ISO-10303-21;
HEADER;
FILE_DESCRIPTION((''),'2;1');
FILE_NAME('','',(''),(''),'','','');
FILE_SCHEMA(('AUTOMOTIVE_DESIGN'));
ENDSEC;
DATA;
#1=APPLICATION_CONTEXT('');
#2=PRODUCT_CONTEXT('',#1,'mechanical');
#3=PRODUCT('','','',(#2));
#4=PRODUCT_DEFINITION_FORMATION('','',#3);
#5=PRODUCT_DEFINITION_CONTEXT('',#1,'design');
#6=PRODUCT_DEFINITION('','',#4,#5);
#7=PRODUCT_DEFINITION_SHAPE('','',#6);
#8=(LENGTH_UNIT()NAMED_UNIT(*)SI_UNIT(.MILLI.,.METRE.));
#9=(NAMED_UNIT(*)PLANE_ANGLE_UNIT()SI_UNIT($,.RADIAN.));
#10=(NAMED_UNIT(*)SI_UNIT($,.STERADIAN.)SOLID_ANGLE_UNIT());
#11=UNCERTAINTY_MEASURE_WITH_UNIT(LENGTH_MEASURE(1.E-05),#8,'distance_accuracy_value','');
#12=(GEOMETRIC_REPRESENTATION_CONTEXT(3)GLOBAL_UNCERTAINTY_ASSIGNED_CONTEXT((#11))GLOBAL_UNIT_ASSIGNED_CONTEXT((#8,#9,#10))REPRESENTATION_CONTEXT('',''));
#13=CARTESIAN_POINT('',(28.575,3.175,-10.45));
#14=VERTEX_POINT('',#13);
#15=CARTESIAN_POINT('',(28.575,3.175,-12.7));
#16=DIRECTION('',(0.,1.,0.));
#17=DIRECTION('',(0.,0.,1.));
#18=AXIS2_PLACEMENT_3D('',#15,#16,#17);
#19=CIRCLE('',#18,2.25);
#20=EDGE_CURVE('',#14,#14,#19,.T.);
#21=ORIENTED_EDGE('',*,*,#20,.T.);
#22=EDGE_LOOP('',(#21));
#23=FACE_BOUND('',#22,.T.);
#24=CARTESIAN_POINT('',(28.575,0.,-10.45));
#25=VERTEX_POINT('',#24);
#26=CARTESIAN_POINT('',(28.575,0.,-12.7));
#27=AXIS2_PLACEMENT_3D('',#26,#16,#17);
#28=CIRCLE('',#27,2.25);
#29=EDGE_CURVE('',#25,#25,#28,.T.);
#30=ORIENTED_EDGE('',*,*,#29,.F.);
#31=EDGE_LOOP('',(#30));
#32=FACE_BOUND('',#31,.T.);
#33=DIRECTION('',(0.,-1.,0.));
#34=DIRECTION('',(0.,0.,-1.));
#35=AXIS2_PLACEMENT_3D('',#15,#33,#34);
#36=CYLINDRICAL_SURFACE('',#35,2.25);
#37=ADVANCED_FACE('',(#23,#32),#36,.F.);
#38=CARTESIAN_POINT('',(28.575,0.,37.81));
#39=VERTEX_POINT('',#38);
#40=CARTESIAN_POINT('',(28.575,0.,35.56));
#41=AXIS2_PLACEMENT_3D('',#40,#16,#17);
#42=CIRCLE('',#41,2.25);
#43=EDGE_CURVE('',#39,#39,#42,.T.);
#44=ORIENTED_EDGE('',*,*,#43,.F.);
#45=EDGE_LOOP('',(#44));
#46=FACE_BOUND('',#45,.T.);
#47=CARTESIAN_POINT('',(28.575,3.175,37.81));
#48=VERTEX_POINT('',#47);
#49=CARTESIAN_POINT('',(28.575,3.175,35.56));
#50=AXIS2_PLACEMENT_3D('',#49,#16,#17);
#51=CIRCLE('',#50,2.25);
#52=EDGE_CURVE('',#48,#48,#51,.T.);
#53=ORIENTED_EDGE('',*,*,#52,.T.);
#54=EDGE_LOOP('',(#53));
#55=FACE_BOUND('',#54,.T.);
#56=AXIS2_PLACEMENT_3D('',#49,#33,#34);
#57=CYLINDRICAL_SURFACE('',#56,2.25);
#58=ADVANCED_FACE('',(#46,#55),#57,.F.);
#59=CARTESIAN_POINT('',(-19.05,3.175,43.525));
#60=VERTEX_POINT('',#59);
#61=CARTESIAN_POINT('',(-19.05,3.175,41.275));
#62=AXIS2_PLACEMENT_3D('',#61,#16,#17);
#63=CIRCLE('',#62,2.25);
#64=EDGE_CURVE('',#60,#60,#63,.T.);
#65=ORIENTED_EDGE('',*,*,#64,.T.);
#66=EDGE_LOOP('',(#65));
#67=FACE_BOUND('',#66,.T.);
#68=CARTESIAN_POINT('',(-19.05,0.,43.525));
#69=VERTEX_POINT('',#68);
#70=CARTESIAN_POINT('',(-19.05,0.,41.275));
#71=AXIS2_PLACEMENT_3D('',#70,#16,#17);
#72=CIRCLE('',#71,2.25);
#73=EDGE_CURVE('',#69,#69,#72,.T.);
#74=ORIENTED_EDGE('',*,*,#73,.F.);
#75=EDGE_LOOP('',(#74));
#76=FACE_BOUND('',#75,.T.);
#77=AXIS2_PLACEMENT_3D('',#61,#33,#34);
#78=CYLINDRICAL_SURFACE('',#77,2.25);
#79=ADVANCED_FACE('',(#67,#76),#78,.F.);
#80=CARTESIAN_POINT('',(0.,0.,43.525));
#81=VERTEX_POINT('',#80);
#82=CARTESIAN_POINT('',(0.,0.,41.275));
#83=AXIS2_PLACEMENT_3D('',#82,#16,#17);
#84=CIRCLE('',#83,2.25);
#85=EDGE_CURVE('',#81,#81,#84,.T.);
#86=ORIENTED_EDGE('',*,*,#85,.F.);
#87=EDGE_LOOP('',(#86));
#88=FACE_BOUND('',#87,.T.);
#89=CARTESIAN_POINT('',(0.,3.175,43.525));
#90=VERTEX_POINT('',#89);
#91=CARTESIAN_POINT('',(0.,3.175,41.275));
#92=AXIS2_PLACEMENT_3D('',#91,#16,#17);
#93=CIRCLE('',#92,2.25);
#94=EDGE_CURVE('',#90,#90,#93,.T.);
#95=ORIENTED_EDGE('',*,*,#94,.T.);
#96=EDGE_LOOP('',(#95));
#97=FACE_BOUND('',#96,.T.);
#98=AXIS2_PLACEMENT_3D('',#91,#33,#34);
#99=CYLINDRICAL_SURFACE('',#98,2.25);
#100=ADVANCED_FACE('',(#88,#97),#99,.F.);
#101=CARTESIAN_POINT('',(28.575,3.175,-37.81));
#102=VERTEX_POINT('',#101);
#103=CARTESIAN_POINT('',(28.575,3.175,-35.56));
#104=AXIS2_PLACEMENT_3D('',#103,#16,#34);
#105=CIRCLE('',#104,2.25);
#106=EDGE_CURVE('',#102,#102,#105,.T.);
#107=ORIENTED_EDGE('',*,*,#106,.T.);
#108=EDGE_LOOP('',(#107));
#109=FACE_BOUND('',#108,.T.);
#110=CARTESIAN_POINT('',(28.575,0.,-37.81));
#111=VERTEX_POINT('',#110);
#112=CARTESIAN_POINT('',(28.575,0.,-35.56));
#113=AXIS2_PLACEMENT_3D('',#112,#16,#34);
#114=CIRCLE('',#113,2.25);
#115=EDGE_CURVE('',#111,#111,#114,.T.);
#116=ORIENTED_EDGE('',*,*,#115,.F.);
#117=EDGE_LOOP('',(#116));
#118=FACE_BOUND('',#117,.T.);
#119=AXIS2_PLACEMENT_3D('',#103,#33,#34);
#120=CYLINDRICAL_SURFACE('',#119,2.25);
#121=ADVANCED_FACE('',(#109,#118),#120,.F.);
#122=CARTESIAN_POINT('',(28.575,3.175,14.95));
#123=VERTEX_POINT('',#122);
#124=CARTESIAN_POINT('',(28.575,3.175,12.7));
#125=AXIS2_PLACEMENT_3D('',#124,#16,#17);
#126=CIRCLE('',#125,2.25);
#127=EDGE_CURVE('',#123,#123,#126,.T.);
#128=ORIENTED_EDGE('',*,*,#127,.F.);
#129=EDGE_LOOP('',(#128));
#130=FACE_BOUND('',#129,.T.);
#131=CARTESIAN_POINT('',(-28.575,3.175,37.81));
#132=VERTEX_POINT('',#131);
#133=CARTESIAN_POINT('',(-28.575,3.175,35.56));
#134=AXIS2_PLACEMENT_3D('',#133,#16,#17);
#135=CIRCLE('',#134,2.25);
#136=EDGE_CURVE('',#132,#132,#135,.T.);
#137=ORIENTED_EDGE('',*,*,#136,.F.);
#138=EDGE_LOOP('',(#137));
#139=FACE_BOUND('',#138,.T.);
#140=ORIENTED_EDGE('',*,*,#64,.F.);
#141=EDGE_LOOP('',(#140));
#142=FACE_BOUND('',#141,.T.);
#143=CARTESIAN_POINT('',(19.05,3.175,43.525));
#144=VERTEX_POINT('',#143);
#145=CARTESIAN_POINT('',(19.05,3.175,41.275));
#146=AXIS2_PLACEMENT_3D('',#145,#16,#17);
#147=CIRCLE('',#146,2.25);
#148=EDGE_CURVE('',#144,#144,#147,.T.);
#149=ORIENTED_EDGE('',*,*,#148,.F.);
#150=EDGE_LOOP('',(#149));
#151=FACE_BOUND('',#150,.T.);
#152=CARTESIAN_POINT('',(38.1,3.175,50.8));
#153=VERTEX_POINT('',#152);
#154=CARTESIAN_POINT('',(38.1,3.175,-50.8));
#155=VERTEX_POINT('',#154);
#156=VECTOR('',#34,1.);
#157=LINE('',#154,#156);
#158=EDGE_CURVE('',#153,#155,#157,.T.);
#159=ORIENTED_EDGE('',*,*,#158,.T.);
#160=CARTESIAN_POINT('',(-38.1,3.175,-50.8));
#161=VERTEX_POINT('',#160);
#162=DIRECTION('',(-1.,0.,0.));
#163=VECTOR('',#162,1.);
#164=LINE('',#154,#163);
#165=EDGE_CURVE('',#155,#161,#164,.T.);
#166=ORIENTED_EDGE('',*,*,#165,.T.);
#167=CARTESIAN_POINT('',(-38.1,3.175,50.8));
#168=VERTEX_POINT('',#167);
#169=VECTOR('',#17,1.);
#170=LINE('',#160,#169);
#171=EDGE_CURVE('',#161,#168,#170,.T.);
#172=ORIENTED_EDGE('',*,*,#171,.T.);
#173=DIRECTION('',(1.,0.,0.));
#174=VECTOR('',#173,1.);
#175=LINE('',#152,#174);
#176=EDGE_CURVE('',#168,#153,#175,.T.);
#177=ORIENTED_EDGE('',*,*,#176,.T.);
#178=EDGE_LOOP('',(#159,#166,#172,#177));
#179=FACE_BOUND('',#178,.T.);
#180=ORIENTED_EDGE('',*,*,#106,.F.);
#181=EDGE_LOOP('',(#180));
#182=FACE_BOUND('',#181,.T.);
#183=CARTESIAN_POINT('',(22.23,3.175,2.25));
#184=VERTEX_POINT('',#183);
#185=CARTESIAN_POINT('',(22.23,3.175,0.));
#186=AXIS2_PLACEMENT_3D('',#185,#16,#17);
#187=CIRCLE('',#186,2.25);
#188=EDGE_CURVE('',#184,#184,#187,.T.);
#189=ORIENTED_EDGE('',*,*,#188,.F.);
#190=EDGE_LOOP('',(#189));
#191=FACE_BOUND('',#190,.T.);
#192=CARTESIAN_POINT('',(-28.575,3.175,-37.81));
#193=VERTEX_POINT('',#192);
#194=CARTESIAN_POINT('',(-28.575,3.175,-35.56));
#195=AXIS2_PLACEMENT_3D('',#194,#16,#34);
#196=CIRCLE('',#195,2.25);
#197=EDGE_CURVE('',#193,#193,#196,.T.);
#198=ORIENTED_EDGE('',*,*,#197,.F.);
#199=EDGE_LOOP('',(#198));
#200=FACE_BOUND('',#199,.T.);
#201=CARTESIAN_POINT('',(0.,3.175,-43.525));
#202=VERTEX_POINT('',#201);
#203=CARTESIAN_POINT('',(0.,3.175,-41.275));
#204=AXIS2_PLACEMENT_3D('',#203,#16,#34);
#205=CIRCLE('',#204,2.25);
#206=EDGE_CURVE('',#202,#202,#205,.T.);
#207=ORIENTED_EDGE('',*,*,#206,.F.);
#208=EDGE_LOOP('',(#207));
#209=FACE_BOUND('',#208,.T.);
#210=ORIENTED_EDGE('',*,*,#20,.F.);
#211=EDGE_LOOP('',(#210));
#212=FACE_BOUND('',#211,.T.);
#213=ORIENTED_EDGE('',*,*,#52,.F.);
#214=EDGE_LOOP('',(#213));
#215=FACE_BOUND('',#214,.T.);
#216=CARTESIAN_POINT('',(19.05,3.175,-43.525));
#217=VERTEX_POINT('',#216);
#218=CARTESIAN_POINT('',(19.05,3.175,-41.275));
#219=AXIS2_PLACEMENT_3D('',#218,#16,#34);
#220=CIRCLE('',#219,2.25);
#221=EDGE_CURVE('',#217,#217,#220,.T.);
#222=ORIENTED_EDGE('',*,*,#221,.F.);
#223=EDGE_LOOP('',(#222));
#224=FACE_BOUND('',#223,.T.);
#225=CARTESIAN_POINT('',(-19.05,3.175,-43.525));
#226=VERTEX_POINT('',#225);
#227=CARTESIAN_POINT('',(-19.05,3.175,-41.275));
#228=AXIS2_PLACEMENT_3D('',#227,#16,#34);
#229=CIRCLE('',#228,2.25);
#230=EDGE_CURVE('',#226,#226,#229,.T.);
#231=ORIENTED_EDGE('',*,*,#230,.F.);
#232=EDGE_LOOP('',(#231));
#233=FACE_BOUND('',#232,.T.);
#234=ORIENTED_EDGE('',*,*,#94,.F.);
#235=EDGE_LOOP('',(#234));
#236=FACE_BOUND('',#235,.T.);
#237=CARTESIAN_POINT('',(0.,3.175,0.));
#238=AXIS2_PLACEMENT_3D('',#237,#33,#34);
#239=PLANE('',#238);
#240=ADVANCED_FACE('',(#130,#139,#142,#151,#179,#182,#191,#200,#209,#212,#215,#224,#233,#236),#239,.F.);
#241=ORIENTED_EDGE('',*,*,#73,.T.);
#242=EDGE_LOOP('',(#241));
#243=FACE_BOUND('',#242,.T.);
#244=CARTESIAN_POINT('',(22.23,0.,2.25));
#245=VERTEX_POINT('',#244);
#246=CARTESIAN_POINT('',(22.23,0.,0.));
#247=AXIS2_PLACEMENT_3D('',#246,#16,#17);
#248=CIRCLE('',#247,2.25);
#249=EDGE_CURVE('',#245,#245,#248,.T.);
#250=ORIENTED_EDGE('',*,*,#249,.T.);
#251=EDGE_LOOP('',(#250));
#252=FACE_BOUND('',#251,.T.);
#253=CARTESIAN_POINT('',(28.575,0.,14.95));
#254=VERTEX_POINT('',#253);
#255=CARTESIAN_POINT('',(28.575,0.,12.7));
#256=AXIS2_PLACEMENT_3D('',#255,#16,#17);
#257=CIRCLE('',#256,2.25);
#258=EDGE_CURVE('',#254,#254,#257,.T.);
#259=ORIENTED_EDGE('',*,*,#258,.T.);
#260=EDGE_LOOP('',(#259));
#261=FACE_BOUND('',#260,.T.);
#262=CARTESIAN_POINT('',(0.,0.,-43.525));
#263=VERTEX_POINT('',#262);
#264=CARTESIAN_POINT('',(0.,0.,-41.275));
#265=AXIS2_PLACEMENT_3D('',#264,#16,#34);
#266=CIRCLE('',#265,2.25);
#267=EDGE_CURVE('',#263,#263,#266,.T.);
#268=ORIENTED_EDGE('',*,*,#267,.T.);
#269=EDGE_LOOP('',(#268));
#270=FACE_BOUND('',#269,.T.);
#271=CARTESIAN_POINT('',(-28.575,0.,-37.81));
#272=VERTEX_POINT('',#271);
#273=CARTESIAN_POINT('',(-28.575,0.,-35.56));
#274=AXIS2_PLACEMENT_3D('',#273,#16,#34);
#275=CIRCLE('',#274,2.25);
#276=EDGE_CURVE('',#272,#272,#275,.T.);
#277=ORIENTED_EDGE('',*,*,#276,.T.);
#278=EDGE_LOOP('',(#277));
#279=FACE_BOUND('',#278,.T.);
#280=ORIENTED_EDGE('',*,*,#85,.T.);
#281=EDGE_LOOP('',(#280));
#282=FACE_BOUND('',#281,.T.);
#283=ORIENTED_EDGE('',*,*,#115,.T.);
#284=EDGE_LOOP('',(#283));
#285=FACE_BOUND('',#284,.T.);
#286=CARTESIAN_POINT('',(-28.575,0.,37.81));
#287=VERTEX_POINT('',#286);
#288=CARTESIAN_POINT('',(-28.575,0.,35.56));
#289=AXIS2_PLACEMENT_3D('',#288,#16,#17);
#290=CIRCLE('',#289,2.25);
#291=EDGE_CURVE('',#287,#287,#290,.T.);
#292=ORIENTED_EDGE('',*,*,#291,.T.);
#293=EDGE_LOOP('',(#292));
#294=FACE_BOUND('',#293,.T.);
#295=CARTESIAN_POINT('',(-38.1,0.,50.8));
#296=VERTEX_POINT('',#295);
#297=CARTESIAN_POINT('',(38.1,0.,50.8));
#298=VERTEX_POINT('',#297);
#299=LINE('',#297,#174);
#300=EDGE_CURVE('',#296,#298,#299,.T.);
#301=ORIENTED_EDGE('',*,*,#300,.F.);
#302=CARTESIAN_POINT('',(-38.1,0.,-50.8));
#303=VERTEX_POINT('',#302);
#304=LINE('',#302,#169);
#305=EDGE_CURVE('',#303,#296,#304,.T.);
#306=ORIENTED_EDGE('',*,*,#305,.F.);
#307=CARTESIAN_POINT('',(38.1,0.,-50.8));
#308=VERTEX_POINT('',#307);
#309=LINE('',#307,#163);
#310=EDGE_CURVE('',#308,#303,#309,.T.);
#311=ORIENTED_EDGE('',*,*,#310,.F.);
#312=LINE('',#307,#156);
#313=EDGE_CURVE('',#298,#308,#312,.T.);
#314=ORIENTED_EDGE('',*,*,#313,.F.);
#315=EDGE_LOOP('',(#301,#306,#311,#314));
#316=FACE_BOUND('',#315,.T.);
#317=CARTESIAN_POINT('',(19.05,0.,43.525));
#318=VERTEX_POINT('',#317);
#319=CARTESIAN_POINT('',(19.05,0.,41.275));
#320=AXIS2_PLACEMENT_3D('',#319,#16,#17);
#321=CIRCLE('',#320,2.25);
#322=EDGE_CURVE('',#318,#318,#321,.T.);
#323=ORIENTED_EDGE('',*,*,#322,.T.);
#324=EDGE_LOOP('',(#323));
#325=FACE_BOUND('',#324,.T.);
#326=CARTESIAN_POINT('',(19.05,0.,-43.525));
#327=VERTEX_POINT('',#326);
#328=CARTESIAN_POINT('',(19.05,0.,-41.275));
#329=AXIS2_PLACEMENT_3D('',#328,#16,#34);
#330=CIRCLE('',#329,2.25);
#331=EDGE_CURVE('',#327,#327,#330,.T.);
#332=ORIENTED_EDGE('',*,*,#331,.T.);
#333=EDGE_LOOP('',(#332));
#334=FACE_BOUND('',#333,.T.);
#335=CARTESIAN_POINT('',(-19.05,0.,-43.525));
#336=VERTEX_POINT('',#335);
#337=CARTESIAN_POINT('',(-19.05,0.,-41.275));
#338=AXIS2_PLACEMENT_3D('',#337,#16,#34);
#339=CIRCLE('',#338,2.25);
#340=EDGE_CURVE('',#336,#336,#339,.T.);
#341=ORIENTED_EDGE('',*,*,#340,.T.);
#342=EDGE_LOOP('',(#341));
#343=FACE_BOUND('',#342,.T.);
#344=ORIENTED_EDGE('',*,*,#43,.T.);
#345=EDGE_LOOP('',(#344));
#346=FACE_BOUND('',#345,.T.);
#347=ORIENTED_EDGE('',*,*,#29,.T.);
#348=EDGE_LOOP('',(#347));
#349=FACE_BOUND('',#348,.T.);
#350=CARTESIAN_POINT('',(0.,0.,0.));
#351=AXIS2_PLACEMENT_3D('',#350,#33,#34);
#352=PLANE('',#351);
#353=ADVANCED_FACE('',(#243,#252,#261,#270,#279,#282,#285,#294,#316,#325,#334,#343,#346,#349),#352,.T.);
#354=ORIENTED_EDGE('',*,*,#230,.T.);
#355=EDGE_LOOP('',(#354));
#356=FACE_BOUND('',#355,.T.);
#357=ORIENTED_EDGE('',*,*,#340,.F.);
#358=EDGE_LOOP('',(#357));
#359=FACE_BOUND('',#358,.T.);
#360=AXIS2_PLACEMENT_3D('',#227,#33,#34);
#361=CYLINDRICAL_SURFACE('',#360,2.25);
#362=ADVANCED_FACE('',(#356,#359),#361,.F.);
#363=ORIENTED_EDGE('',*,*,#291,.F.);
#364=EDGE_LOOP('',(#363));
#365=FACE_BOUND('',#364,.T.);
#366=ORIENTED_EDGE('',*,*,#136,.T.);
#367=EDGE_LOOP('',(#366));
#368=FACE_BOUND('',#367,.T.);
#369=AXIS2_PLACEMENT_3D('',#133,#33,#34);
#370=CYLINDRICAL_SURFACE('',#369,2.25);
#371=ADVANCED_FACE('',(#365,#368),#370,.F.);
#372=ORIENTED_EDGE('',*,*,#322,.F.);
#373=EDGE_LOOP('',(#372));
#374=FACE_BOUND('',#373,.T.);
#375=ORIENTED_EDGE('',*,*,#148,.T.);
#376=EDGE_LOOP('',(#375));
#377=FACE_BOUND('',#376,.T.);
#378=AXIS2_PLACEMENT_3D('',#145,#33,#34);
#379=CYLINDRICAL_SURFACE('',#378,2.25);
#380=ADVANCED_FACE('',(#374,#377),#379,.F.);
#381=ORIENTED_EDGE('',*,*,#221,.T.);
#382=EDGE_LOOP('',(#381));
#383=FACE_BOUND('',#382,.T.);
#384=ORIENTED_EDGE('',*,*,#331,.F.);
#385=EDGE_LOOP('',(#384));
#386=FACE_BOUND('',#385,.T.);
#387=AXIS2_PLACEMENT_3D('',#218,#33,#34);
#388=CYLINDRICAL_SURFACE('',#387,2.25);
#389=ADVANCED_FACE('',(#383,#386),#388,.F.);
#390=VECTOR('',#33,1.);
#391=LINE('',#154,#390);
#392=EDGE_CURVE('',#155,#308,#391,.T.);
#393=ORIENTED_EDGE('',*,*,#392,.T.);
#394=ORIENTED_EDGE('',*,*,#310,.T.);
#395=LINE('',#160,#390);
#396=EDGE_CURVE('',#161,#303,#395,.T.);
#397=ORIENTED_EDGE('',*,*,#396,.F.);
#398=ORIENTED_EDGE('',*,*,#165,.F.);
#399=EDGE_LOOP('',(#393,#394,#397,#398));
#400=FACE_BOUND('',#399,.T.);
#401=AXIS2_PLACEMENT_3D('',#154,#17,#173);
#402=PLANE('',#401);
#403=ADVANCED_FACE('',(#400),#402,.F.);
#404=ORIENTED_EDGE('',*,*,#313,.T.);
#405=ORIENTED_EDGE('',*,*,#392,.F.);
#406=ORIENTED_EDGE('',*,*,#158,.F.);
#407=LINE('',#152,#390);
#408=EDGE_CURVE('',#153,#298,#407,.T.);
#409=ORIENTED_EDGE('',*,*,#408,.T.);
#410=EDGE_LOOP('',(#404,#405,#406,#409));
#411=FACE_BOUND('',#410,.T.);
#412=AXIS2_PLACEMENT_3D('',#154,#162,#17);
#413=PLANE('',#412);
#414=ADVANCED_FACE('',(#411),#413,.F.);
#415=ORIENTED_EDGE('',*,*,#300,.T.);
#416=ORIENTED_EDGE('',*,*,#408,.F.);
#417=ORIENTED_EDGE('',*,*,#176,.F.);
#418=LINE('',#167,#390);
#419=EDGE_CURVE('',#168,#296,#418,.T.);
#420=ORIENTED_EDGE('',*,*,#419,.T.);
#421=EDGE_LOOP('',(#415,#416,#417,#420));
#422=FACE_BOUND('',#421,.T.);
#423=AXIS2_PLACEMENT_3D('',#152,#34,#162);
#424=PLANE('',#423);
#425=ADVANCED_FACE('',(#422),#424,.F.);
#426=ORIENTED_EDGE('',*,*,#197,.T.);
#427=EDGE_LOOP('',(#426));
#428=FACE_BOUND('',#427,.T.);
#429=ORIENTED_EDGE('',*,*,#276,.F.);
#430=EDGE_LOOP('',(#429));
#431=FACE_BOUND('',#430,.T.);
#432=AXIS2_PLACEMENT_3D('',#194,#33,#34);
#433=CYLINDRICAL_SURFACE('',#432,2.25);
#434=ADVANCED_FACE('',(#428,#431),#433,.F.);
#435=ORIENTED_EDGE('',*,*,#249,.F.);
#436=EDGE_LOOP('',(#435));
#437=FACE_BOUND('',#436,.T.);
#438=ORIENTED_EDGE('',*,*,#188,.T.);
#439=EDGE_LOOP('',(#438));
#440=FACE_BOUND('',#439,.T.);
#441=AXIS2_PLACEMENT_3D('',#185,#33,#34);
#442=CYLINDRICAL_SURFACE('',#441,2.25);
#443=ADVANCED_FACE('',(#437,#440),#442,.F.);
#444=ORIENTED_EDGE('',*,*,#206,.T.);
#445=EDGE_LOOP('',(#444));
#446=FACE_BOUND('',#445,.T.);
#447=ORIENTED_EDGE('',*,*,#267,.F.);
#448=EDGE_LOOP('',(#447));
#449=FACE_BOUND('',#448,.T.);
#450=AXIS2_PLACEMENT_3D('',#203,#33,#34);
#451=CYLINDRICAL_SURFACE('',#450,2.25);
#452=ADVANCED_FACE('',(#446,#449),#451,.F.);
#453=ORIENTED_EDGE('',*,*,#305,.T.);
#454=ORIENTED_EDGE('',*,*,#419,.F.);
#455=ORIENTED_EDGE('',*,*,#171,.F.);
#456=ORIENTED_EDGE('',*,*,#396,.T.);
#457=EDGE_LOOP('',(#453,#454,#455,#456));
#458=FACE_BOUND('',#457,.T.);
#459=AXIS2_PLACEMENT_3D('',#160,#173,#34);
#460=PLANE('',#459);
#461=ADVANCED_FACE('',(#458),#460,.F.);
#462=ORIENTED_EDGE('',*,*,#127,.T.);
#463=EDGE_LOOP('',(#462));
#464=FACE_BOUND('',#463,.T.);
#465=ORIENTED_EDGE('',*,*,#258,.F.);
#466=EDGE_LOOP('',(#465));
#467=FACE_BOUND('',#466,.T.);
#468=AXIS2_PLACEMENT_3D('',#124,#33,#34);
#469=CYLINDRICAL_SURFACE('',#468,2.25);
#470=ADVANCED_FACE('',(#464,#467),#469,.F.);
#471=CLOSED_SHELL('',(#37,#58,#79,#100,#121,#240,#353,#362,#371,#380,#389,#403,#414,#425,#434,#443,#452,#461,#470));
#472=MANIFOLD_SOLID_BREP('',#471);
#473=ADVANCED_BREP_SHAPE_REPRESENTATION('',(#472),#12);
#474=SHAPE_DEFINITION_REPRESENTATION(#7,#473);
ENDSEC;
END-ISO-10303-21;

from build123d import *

# Parameters (mm, degrees)
SKETCH1_W           = 76.2
SKETCH1_H           = 101.6
SKETCH1_R           = 2.25
BOSS_EXTRUDE1_DEPTH = 3.175


with BuildPart() as part:
    # Sketch1 → Boss-Extrude1 (new body)
    with BuildSketch(Plane(origin=(0, 0, 0), x_dir=(1, 0, 0), z_dir=(0, 1, 0))):
        Rectangle(SKETCH1_W, SKETCH1_H)
        with Locations((-19.05, -41.275)):
            Circle(SKETCH1_R, mode=Mode.SUBTRACT)
        with Locations((19.05, -41.275)):
            Circle(SKETCH1_R, mode=Mode.SUBTRACT)
        with Locations((28.575, -35.56)):
            Circle(SKETCH1_R, mode=Mode.SUBTRACT)
        with Locations((-28.575, -35.56)):
            Circle(SKETCH1_R, mode=Mode.SUBTRACT)
        with Locations((28.575, 35.56)):
            Circle(SKETCH1_R, mode=Mode.SUBTRACT)
        with Locations((19.05, 41.275)):
            Circle(SKETCH1_R, mode=Mode.SUBTRACT)
        with Locations((-28.575, 35.56)):
            Circle(SKETCH1_R, mode=Mode.SUBTRACT)
        with Locations((-19.05, 41.275)):
            Circle(SKETCH1_R, mode=Mode.SUBTRACT)
        with Locations((0, -41.275)):
            Circle(SKETCH1_R, mode=Mode.SUBTRACT)
        with Locations((0, 41.275)):
            Circle(SKETCH1_R, mode=Mode.SUBTRACT)
        with Locations((28.575, 12.7)):
            Circle(SKETCH1_R, mode=Mode.SUBTRACT)
        with Locations((28.575, -12.7)):
            Circle(SKETCH1_R, mode=Mode.SUBTRACT)
        with Locations((22.23, 0)):
            Circle(SKETCH1_R, mode=Mode.SUBTRACT)
    extrude(amount=BOSS_EXTRUDE1_DEPTH)


solid = part.part
